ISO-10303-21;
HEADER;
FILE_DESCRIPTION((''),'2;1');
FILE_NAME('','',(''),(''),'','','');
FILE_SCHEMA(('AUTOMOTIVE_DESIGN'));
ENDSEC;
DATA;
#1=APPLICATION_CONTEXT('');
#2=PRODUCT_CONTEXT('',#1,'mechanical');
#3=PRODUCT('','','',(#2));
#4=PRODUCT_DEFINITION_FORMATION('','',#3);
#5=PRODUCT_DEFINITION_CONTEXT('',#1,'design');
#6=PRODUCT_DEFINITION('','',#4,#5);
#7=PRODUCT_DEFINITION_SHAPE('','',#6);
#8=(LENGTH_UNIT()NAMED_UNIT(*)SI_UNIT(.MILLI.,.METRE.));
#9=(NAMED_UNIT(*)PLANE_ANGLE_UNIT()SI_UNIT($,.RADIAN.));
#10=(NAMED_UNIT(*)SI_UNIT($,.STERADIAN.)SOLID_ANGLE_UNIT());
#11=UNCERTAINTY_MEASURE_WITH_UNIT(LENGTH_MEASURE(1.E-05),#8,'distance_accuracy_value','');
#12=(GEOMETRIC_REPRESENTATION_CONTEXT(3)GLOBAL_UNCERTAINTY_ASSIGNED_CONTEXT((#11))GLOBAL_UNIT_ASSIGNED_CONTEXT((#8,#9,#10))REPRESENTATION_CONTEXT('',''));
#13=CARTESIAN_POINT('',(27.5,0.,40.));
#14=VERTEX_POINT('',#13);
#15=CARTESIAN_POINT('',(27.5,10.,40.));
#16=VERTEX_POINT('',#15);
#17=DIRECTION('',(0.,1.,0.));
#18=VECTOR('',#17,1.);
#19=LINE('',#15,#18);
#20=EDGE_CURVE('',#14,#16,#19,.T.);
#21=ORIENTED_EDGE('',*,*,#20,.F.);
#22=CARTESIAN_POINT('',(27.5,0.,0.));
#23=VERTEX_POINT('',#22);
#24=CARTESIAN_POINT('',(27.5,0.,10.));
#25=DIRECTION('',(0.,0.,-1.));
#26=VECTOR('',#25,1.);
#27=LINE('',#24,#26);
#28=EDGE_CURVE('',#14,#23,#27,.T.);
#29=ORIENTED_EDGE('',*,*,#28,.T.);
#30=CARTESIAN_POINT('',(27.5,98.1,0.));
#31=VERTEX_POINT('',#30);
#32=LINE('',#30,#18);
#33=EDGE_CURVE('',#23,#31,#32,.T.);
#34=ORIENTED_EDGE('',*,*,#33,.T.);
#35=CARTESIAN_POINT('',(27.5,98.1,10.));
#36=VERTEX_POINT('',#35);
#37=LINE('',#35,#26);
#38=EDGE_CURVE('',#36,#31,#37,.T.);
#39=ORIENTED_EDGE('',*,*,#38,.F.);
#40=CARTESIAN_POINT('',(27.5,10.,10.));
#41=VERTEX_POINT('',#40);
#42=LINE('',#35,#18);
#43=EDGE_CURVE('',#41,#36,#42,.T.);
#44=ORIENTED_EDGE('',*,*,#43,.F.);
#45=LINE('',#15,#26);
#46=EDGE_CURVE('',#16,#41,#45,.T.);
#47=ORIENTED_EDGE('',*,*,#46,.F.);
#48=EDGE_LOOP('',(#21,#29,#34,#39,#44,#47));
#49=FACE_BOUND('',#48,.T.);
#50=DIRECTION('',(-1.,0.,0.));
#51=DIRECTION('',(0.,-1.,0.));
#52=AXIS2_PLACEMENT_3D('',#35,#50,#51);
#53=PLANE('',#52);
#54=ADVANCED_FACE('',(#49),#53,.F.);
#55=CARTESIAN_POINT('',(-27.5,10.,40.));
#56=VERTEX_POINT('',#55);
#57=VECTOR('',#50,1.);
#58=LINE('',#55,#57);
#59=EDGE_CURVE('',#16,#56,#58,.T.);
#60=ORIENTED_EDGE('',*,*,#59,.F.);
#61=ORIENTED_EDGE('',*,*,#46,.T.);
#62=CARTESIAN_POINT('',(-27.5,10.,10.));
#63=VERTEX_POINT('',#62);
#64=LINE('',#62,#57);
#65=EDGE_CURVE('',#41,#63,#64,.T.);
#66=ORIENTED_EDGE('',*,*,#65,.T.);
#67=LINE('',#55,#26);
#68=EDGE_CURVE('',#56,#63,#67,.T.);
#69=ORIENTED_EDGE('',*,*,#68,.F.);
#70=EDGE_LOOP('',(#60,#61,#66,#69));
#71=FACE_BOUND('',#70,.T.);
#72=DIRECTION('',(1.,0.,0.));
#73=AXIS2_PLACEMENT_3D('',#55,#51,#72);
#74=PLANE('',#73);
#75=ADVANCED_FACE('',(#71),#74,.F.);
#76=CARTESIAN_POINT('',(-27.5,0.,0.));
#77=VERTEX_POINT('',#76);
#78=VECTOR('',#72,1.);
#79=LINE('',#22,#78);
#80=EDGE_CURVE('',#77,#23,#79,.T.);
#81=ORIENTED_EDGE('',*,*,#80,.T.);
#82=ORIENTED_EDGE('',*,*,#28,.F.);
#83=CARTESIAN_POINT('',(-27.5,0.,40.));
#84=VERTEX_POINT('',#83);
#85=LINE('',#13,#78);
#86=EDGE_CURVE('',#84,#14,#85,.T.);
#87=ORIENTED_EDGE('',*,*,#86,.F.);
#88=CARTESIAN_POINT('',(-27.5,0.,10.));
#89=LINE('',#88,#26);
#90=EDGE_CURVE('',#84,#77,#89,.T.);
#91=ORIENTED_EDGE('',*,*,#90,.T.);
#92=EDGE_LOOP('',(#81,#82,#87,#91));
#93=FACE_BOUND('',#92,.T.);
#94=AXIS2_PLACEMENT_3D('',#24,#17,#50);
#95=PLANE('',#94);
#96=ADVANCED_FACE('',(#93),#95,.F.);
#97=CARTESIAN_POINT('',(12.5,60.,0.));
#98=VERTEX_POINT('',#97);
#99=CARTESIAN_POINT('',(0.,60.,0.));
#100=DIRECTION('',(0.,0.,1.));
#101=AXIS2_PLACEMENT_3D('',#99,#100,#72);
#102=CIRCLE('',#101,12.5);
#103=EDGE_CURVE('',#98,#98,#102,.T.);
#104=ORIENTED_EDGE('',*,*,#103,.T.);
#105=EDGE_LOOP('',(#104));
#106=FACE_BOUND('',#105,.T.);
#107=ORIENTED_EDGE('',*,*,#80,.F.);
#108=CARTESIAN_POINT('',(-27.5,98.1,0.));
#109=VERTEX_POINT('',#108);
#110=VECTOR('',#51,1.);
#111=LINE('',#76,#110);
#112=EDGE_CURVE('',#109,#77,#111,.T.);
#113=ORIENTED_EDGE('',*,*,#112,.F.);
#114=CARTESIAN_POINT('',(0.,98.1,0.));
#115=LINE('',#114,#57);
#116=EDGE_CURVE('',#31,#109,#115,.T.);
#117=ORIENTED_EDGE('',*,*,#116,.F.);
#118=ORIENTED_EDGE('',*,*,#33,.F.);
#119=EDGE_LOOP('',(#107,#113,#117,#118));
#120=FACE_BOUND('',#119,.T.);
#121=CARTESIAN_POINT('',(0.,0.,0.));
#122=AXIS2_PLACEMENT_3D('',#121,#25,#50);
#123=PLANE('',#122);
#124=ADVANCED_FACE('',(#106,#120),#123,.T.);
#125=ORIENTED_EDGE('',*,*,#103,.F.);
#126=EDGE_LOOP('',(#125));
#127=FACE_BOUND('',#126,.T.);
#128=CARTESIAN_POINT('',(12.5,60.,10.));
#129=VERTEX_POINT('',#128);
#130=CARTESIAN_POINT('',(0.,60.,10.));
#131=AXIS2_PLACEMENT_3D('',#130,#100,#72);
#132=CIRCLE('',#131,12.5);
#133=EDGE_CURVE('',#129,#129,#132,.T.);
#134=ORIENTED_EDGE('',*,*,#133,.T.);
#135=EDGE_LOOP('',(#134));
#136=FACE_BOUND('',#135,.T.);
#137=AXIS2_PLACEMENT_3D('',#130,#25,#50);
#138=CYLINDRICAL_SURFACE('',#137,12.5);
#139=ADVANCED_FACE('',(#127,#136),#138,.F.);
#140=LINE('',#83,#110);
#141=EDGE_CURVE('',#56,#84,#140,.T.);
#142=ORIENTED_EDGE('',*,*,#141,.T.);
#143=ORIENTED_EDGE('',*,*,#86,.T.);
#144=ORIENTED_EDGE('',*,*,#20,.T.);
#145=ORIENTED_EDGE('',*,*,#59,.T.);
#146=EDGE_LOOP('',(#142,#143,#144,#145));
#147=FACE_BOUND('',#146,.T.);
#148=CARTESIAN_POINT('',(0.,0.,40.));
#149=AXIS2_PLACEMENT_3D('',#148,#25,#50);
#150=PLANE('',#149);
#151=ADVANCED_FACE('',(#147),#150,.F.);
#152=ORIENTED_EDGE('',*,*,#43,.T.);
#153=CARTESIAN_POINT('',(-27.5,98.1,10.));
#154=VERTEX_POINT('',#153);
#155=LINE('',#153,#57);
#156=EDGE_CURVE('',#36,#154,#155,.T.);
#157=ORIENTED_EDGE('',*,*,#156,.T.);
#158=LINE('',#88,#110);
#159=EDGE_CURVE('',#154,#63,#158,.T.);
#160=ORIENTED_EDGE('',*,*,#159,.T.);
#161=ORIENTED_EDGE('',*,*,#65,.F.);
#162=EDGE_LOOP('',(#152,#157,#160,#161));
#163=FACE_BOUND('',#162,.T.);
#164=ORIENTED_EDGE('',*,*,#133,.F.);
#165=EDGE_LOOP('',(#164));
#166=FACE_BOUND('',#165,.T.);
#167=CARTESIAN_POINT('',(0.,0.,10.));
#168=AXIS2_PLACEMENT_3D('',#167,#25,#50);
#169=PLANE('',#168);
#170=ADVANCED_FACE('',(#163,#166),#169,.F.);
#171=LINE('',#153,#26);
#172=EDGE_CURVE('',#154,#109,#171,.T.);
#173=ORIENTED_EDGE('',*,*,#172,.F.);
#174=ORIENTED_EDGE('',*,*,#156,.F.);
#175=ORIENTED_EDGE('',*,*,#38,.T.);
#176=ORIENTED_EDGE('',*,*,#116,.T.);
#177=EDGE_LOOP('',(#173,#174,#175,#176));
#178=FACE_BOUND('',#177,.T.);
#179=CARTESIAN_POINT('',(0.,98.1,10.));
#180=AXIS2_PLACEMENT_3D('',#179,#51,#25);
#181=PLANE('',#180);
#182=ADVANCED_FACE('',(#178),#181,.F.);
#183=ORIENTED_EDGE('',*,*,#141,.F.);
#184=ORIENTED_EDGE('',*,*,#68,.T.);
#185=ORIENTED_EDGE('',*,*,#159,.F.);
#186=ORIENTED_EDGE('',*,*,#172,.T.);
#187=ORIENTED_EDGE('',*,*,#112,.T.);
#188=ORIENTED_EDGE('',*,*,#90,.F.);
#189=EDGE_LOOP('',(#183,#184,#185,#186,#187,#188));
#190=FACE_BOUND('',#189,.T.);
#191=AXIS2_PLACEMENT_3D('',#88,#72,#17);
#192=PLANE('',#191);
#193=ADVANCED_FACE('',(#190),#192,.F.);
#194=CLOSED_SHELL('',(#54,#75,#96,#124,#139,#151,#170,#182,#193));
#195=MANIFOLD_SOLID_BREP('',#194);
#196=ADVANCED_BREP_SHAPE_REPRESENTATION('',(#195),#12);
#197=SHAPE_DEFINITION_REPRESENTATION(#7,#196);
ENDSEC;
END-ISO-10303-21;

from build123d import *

# Parameters (mm, degrees)
CROQUIS1_R              = 12.5
SALIENTE_EXTRUIR1_DEPTH = 10
CROQUIS2_W              = 55
CROQUIS2_H              = 10
SALIENTE_EXTRUIR2_DEPTH = 30


with BuildPart() as part:
    # Croquis1 → Saliente-Extruir1 (new body)
    with BuildSketch(Plane.XY):
        Polygon((0, 98.1), (27.5, 98.1), (27.5, 0), (-27.5, 0), (-27.5, 98.1), align=None)
        with Locations((0, 60)):
            Circle(CROQUIS1_R, mode=Mode.SUBTRACT)
    extrude(amount=SALIENTE_EXTRUIR1_DEPTH)

    # Croquis2 → Saliente-Extruir2 (add)
    with BuildSketch(Plane.XY.offset(10)):
        with Locations((0, 5)):
            Rectangle(CROQUIS2_W, CROQUIS2_H)
    extrude(amount=SALIENTE_EXTRUIR2_DEPTH)


solid = part.part
